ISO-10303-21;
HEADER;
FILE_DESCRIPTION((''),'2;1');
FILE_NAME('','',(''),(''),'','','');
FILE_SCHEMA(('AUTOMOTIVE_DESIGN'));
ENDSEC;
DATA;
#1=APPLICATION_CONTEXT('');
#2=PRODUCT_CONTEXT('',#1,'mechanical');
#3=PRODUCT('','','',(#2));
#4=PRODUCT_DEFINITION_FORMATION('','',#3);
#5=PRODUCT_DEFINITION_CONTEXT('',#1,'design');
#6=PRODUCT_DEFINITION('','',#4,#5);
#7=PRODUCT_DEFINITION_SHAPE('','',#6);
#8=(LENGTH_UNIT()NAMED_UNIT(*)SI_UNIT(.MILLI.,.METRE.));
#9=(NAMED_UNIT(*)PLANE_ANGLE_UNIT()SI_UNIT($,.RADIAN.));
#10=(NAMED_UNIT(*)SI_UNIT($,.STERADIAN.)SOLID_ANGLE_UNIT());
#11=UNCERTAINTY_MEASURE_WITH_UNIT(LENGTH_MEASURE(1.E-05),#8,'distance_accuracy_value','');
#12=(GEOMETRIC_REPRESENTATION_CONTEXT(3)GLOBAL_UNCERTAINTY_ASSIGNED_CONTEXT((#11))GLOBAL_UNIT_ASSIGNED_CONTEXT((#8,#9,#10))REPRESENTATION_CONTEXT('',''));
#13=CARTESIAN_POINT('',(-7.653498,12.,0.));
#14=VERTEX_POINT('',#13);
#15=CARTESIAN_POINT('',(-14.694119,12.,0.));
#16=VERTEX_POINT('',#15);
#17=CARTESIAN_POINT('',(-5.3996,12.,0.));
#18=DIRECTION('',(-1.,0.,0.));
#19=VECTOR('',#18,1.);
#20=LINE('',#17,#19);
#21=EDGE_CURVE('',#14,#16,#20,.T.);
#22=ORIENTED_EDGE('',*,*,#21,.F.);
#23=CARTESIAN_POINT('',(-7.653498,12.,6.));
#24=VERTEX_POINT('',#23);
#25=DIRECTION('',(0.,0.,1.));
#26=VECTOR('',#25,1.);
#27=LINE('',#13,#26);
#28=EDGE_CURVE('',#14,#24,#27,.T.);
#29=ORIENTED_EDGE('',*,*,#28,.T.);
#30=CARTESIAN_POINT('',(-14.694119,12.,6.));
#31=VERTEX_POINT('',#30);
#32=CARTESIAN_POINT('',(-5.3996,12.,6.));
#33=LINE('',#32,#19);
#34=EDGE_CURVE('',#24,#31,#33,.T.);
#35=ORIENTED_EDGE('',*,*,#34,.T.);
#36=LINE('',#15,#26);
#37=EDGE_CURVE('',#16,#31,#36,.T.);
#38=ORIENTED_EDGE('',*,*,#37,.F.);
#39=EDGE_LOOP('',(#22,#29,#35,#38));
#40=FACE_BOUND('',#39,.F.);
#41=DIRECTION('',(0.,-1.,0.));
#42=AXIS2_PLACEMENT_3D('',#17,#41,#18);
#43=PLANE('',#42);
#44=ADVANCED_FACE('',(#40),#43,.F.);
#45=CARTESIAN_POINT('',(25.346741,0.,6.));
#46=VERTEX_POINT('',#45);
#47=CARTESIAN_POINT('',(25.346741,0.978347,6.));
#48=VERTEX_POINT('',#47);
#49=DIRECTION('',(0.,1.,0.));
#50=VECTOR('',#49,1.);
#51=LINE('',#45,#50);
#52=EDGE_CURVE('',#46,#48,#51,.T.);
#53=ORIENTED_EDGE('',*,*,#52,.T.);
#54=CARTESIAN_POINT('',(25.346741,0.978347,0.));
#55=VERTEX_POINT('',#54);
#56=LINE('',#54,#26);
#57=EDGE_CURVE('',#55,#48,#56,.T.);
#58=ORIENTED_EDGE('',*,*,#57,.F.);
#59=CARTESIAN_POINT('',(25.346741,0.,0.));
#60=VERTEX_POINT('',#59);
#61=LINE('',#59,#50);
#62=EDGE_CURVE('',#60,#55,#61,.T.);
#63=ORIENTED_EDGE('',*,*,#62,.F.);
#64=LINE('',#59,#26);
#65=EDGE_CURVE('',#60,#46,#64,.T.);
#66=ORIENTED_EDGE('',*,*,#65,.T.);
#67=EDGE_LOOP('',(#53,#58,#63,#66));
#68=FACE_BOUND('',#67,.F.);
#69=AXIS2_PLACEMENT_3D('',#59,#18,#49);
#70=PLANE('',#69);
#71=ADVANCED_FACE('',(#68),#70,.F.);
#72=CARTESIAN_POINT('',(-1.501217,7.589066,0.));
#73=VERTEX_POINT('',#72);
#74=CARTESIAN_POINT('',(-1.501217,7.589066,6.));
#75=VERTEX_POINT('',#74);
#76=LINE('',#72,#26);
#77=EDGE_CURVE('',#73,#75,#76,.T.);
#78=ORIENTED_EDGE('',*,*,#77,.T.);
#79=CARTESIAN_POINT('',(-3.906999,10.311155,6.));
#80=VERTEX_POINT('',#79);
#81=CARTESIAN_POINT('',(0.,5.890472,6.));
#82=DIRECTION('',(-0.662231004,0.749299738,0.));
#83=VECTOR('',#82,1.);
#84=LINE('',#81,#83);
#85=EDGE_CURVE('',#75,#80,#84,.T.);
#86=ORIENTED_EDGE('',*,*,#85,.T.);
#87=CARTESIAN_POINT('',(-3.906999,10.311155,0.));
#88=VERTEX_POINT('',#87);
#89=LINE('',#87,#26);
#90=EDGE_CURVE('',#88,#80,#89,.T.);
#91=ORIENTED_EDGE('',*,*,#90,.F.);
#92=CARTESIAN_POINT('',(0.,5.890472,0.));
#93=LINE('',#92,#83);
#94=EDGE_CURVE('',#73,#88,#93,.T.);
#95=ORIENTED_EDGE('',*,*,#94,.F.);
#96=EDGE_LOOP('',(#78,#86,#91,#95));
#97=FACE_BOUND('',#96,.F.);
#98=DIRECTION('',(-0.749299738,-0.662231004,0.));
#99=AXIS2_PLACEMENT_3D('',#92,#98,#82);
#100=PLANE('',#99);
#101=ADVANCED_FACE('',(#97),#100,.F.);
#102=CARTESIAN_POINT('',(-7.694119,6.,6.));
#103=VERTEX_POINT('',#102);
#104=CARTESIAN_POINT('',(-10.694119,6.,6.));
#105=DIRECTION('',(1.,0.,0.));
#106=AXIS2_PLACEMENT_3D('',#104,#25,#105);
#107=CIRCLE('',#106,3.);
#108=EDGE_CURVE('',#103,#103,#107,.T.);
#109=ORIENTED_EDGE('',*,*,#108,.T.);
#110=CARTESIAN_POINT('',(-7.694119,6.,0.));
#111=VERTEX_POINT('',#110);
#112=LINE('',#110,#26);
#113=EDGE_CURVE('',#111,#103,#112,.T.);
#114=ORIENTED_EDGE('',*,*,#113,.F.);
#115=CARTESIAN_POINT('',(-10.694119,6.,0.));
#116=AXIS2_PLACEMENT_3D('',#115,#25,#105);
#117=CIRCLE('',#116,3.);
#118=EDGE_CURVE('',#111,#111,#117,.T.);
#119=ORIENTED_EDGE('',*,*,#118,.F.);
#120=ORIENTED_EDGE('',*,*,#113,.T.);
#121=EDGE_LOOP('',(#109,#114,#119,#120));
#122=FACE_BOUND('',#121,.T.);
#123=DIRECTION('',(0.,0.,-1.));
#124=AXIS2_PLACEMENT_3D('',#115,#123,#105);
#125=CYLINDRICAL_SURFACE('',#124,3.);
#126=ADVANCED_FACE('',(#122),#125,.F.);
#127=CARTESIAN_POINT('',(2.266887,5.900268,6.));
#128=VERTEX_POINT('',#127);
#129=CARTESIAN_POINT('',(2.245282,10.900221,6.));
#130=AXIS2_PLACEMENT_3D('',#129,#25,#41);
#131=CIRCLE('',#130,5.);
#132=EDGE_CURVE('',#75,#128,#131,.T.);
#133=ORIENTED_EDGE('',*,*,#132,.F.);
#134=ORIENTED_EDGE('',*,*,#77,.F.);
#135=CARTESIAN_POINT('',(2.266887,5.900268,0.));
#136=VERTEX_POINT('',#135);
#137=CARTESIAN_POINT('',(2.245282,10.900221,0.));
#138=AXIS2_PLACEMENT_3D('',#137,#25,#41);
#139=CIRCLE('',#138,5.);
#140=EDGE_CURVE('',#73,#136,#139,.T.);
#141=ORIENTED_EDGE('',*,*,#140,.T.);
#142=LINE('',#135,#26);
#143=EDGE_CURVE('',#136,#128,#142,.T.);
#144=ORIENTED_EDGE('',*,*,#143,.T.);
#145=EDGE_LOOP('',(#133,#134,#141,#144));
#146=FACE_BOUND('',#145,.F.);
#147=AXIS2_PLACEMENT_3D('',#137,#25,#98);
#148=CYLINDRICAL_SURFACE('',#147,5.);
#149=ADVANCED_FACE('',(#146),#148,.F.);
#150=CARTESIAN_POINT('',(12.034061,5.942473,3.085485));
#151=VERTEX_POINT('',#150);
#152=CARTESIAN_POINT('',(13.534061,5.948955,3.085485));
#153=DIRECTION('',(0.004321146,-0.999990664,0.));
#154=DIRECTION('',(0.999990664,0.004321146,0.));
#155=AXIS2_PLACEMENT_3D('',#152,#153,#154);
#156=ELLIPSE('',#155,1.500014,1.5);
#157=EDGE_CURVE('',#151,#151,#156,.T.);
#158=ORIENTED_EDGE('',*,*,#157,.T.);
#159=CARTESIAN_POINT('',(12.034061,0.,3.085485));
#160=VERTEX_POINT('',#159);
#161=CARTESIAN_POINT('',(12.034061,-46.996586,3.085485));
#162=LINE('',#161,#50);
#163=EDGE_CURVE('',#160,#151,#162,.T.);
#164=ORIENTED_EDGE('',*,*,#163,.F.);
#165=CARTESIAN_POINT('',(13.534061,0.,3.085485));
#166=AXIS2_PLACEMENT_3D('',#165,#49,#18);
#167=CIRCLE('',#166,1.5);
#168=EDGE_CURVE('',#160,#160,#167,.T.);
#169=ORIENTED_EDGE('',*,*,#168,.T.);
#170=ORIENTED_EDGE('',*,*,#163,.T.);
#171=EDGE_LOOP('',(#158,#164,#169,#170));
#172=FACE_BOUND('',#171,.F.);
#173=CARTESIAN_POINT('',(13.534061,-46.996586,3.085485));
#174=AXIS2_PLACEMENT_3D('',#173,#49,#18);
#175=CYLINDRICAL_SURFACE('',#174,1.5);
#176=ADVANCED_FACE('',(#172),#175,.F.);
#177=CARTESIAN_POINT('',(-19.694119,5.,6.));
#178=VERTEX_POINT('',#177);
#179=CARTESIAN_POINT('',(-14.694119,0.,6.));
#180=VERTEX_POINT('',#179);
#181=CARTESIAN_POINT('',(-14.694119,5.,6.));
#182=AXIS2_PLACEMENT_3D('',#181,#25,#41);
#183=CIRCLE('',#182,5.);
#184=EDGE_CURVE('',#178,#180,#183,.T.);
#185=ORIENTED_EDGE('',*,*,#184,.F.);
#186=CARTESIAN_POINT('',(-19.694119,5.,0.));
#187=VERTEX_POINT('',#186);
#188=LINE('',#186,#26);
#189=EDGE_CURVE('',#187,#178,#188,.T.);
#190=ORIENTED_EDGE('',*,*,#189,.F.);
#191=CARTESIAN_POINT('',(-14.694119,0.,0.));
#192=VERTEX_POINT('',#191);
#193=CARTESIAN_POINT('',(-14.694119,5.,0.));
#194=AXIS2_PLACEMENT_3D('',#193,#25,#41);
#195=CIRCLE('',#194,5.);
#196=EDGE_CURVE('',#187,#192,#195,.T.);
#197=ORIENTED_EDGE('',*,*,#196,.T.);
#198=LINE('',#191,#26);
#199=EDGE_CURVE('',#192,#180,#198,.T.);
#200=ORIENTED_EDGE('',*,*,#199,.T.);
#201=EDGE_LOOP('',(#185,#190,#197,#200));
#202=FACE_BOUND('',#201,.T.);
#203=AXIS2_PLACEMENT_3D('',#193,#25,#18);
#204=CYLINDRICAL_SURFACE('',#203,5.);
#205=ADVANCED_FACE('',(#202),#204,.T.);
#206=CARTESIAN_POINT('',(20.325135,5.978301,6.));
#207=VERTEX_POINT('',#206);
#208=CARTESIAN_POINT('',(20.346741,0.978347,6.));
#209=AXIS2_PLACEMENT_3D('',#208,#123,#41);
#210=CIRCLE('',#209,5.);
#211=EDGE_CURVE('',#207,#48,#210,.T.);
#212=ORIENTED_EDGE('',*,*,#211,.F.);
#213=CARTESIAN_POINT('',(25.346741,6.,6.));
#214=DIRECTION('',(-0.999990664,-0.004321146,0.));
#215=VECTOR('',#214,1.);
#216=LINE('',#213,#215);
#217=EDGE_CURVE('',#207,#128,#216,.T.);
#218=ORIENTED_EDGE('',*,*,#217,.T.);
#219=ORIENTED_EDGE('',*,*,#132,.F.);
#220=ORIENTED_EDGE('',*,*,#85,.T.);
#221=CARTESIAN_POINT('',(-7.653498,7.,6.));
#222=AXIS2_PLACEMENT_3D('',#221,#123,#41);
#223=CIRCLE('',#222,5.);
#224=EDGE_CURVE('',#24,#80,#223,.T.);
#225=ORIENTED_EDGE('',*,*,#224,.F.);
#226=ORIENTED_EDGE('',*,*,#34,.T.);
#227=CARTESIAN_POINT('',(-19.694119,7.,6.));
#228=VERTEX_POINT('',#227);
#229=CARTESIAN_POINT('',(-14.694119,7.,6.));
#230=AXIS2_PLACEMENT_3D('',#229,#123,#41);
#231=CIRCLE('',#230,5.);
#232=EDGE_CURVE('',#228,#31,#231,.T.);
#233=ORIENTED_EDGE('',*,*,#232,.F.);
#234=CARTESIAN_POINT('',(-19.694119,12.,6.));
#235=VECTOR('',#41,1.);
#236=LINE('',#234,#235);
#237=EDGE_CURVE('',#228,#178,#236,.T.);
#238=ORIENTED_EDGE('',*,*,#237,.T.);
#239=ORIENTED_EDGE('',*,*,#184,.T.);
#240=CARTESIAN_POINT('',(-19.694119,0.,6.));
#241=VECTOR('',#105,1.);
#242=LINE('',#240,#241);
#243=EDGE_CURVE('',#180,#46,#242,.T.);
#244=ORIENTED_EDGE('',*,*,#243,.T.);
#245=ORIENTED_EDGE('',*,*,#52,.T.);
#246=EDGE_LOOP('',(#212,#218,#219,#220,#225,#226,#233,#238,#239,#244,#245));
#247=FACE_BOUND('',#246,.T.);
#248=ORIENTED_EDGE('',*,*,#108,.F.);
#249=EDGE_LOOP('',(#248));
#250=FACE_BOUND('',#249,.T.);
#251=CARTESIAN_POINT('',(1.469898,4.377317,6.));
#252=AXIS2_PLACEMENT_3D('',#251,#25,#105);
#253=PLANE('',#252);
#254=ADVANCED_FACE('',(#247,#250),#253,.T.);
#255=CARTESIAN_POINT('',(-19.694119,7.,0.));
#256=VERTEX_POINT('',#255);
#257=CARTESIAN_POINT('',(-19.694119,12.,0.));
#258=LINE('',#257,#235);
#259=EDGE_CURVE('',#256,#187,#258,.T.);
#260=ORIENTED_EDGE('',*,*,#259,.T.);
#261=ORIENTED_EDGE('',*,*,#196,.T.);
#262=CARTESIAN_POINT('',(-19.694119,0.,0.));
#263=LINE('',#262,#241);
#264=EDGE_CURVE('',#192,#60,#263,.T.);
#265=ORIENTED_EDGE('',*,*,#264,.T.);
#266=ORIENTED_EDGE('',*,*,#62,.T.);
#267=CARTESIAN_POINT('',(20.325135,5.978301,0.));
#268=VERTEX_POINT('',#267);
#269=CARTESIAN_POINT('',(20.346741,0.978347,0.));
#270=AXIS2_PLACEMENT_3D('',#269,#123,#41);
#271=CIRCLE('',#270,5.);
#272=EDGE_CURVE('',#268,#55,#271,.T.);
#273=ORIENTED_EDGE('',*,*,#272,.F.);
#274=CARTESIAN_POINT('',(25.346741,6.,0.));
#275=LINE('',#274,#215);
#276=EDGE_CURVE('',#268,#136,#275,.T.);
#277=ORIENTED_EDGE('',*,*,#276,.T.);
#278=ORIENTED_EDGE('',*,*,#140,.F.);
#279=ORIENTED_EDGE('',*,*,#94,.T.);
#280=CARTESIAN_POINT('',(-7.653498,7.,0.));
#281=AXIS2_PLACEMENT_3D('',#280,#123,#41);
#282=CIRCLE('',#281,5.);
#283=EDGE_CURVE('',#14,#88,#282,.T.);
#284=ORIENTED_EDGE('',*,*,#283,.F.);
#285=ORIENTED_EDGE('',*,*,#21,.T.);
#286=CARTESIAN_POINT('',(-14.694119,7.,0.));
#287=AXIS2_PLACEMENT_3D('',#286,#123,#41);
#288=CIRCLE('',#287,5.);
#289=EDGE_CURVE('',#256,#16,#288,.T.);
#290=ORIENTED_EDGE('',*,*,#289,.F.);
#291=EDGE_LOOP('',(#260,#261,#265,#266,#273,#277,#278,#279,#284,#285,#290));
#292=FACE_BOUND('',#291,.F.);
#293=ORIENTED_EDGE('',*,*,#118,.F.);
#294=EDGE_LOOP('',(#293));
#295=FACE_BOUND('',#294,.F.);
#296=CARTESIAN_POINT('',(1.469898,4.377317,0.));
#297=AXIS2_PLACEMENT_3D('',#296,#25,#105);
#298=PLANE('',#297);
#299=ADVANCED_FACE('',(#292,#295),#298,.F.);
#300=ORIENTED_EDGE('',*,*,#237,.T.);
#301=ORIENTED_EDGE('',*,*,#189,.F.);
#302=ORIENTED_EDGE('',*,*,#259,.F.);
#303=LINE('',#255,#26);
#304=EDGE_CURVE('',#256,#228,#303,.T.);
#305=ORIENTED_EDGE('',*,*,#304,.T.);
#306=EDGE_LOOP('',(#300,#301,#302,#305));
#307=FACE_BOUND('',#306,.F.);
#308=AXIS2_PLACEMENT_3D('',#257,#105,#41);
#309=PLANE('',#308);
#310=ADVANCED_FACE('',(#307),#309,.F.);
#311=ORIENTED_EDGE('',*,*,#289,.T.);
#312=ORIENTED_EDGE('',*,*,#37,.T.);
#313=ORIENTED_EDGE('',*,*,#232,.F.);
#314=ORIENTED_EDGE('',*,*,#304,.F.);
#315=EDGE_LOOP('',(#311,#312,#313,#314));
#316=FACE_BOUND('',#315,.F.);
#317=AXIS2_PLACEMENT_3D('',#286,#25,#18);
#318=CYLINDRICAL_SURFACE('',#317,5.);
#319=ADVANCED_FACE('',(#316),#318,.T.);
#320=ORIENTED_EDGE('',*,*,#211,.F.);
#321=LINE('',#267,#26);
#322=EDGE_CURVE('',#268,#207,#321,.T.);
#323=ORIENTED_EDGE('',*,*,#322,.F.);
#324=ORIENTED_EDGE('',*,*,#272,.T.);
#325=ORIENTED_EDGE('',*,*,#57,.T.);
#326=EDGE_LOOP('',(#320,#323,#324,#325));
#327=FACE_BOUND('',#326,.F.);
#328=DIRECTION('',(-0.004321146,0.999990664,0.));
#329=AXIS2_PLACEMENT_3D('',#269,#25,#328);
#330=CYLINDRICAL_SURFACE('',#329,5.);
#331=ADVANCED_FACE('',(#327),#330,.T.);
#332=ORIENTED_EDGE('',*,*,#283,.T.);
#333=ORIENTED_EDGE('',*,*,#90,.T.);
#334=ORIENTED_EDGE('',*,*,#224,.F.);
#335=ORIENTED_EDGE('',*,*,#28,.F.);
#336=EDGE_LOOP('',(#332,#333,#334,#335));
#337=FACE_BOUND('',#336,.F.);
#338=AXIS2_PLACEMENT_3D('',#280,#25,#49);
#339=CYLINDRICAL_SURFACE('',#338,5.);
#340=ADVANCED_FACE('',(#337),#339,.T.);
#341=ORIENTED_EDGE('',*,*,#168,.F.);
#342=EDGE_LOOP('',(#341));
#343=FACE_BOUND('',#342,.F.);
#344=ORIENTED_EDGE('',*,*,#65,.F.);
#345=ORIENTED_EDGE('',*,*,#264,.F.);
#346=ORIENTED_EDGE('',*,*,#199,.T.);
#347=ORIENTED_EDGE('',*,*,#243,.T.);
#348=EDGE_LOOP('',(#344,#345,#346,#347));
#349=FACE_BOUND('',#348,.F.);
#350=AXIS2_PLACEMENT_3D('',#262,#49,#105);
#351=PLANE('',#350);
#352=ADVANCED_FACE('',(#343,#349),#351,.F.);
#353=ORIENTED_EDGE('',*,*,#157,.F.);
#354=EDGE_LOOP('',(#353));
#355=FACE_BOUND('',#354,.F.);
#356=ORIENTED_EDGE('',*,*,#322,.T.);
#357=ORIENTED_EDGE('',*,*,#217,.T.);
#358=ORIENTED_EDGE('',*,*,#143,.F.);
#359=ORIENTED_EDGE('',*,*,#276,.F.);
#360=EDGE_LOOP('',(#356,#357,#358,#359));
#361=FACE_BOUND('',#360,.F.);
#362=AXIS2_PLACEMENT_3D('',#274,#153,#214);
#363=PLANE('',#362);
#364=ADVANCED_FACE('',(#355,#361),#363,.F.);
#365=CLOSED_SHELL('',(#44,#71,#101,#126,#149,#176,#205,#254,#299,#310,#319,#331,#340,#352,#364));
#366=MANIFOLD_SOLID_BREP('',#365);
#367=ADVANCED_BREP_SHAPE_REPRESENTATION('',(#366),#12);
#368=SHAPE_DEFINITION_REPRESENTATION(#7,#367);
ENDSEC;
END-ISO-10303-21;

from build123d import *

# Parameters (mm, degrees)
F0_R     = 3
F2_DEPTH = 6
F3_D     = 3
F4_R     = 5
F5_R     = 5
F6_R     = 5
F7_R     = 5


with BuildPart() as f2:
    # F0 (on Top) → F2 (new body)
    with BuildSketch(Plane.XY):
        Polygon((-19.694119, 12), (-19.694119, 0), (25.346741, 0), (25.346741, 6), (0, 5.890472), (-5.3996, 12), align=None)
        with Locations((-10.694119, 6)):
            Circle(F0_R, mode=Mode.SUBTRACT)
    extrude(amount=F2_DEPTH)

    # F3 (through all)
    with Locations(Plane.XZ):
        with Locations((13.534061, 3.085485)):
            Hole(F3_D / 2)

    # F4
    f4_edges = [f2.edges().sort_by_distance(p)[0] for p in [
        (-19.694119, 12, 3),
        (-19.694119, 0, 3),
    ]]
    fillet(f4_edges, radius=F4_R)

    # F5
    f5_edges = [f2.edges().sort_by_distance(p)[0] for p in [
        (-5.3996, 12, 3),
    ]]
    fillet(f5_edges, radius=F5_R)

    # F6
    f6_edges = [f2.edges().sort_by_distance(p)[0] for p in [
        (0, 5.890472, 3),
    ]]
    fillet(f6_edges, radius=F6_R)

    # F7
    f7_edges = [f2.edges().sort_by_distance(p)[0] for p in [
        (25.346741, 6, 3),
    ]]
    fillet(f7_edges, radius=F7_R)


solid = f2.part
